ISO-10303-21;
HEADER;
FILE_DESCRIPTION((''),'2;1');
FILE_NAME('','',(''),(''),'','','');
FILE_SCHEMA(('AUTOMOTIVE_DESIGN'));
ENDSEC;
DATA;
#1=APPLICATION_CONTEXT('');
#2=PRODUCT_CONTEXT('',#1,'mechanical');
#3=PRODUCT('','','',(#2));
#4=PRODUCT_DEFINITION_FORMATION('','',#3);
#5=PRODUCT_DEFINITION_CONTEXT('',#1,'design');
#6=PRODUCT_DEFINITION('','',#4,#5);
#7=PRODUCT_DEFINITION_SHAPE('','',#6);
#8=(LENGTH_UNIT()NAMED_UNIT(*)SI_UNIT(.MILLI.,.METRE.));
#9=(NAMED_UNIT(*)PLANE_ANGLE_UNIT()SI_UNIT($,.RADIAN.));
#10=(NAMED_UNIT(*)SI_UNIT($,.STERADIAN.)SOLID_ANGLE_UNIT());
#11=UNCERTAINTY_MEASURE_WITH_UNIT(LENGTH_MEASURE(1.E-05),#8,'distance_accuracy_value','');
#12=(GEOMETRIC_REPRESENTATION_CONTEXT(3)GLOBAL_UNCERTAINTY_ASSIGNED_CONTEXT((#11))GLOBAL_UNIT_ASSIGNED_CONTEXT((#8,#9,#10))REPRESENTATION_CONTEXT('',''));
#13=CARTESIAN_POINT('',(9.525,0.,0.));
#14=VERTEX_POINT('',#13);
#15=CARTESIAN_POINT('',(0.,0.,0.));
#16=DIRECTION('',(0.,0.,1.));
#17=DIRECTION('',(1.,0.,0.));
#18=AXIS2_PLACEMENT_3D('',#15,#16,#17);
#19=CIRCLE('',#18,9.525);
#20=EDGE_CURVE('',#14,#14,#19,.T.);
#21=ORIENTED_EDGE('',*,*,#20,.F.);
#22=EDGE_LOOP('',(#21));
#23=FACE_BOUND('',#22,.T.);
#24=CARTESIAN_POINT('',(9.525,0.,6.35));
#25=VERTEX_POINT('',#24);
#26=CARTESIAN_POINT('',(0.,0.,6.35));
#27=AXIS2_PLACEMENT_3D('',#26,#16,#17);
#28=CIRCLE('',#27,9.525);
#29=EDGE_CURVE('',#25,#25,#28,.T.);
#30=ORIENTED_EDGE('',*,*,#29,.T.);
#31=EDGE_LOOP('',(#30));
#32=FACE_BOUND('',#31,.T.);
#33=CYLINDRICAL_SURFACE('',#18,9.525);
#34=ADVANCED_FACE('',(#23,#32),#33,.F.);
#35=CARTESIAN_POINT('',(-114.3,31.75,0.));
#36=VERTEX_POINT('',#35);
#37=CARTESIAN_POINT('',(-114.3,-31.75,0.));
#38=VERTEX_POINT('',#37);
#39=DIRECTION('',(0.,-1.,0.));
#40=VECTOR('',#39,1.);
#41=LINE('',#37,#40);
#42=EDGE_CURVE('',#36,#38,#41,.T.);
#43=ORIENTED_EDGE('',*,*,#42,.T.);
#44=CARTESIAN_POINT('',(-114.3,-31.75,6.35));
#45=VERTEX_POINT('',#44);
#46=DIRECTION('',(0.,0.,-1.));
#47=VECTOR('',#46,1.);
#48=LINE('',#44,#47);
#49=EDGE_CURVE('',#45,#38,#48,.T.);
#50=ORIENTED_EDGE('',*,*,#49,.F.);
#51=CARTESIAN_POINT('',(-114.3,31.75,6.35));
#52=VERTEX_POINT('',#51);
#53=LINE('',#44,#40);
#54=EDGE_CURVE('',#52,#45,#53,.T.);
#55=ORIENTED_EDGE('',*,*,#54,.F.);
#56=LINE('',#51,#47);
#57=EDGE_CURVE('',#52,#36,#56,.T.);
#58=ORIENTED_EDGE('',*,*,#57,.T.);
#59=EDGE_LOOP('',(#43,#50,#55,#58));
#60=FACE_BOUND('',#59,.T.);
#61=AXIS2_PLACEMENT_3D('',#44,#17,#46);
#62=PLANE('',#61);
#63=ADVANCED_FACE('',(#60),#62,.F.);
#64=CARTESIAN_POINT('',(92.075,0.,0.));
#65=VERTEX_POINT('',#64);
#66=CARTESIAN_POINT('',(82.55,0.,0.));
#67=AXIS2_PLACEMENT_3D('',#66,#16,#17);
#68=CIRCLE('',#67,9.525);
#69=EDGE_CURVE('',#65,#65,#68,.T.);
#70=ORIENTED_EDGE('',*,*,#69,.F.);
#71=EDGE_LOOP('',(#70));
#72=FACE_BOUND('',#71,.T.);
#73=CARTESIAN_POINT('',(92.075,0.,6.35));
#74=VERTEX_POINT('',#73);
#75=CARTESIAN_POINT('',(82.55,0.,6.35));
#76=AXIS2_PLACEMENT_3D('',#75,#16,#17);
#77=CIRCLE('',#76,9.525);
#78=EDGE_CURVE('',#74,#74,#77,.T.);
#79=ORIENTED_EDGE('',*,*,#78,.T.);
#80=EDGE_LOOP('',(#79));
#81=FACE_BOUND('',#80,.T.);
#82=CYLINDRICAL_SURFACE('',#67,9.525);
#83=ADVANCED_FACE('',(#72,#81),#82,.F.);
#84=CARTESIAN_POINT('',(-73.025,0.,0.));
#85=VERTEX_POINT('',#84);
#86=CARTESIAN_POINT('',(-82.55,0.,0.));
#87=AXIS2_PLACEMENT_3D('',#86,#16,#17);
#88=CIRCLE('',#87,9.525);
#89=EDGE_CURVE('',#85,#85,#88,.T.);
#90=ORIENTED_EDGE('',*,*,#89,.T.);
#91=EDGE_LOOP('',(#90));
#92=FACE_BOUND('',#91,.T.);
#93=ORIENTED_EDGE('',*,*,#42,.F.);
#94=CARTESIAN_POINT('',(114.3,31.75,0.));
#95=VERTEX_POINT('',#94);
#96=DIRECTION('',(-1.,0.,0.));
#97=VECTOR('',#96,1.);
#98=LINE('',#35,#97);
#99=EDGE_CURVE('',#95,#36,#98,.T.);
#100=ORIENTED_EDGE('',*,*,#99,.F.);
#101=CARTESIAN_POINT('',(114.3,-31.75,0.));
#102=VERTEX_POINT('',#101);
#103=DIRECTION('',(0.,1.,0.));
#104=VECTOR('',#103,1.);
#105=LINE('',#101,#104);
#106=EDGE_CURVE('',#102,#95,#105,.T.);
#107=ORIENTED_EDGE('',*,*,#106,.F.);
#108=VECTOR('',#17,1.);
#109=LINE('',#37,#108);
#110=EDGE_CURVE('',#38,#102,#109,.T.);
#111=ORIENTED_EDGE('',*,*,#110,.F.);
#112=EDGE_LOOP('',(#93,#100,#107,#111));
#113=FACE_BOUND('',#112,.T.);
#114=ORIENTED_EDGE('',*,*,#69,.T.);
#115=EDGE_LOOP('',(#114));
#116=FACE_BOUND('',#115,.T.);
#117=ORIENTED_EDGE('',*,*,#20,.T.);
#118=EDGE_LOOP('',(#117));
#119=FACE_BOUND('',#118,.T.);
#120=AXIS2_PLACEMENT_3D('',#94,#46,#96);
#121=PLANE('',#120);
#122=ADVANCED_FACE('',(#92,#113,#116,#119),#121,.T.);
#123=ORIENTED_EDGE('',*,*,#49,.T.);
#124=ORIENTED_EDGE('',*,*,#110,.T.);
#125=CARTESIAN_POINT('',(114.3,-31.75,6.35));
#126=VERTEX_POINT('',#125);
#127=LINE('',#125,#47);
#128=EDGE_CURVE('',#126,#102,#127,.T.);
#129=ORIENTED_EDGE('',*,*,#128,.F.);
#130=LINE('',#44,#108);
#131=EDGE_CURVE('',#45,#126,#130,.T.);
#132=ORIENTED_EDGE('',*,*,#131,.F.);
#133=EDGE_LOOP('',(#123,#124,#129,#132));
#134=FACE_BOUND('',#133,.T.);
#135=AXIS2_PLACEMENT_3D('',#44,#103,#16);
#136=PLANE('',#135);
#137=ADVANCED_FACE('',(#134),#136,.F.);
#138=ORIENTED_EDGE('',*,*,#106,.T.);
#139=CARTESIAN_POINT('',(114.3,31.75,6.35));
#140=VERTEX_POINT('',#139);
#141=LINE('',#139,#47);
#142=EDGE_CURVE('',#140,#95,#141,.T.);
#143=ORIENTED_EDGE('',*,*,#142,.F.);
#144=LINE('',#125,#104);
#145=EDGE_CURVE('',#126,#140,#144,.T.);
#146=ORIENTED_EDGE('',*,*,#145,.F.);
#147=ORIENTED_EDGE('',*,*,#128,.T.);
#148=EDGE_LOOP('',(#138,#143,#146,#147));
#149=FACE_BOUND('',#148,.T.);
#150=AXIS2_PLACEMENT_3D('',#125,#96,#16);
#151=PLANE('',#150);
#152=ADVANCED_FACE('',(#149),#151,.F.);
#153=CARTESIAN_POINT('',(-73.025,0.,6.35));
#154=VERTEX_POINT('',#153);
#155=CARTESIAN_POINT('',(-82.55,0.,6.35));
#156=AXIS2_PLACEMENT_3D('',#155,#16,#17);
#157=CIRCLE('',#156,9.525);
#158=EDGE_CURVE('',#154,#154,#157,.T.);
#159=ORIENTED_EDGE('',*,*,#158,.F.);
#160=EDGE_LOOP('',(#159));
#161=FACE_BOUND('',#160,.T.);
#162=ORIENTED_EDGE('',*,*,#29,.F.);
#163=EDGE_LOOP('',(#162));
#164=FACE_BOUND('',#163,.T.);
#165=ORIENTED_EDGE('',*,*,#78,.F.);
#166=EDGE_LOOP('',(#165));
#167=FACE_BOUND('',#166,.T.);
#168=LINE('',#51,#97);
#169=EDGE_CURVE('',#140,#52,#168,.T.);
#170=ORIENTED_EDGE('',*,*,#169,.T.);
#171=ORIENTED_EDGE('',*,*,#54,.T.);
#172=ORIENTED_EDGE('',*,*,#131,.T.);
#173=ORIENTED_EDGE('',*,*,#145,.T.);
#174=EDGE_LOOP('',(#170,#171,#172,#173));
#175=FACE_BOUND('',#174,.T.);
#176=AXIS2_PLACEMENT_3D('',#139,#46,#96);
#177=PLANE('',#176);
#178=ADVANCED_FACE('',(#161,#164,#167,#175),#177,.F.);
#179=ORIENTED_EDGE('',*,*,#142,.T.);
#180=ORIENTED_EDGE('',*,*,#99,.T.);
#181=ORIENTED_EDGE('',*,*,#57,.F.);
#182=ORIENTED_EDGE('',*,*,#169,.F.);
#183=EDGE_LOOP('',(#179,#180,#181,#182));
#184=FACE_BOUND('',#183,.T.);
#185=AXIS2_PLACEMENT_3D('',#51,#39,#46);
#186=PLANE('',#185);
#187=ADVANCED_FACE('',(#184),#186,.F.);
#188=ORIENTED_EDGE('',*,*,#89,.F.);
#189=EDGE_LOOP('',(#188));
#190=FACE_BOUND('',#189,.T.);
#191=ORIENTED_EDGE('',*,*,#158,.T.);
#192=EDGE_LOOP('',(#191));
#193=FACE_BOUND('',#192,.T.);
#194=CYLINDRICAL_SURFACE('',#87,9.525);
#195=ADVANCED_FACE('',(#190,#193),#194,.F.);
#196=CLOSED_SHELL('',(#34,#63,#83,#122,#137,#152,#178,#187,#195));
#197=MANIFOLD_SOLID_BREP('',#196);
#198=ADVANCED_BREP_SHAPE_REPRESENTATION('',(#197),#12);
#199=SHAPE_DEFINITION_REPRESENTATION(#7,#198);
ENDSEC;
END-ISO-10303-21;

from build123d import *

# Parameters (mm, degrees)
SKETCH1_W           = 228.6
SKETCH1_H           = 63.5
BOSS_EXTRUDE1_DEPTH = 6.35
SKETCH2_R           = 9.525
CUT_EXTRUDE1_DEPTH  = 7.35
LPATTERN1_COUNT     = 3
LPATTERN1_PITCH     = 82.55


with BuildPart() as part:
    # Sketch1 → Boss-Extrude1 (new body)
    with BuildSketch(Plane.XY):
        Rectangle(SKETCH1_W, SKETCH1_H)
    extrude(amount=BOSS_EXTRUDE1_DEPTH)

    # Sketch2 → Cut-Extrude1 (cut, through all)
    with BuildSketch(Plane.XY.offset(6.35)):
        with Locations((-82.55, 0)):
            Circle(SKETCH2_R)
    cut_extrude1 = extrude(amount=-CUT_EXTRUDE1_DEPTH, mode=Mode.SUBTRACT)

    # LPattern1: Cut-Extrude1 ×3
    with Locations(*[(i * LPATTERN1_PITCH, 0, 0) for i in range(1, LPATTERN1_COUNT)]):
        add(cut_extrude1, mode=Mode.SUBTRACT)


solid = part.part
